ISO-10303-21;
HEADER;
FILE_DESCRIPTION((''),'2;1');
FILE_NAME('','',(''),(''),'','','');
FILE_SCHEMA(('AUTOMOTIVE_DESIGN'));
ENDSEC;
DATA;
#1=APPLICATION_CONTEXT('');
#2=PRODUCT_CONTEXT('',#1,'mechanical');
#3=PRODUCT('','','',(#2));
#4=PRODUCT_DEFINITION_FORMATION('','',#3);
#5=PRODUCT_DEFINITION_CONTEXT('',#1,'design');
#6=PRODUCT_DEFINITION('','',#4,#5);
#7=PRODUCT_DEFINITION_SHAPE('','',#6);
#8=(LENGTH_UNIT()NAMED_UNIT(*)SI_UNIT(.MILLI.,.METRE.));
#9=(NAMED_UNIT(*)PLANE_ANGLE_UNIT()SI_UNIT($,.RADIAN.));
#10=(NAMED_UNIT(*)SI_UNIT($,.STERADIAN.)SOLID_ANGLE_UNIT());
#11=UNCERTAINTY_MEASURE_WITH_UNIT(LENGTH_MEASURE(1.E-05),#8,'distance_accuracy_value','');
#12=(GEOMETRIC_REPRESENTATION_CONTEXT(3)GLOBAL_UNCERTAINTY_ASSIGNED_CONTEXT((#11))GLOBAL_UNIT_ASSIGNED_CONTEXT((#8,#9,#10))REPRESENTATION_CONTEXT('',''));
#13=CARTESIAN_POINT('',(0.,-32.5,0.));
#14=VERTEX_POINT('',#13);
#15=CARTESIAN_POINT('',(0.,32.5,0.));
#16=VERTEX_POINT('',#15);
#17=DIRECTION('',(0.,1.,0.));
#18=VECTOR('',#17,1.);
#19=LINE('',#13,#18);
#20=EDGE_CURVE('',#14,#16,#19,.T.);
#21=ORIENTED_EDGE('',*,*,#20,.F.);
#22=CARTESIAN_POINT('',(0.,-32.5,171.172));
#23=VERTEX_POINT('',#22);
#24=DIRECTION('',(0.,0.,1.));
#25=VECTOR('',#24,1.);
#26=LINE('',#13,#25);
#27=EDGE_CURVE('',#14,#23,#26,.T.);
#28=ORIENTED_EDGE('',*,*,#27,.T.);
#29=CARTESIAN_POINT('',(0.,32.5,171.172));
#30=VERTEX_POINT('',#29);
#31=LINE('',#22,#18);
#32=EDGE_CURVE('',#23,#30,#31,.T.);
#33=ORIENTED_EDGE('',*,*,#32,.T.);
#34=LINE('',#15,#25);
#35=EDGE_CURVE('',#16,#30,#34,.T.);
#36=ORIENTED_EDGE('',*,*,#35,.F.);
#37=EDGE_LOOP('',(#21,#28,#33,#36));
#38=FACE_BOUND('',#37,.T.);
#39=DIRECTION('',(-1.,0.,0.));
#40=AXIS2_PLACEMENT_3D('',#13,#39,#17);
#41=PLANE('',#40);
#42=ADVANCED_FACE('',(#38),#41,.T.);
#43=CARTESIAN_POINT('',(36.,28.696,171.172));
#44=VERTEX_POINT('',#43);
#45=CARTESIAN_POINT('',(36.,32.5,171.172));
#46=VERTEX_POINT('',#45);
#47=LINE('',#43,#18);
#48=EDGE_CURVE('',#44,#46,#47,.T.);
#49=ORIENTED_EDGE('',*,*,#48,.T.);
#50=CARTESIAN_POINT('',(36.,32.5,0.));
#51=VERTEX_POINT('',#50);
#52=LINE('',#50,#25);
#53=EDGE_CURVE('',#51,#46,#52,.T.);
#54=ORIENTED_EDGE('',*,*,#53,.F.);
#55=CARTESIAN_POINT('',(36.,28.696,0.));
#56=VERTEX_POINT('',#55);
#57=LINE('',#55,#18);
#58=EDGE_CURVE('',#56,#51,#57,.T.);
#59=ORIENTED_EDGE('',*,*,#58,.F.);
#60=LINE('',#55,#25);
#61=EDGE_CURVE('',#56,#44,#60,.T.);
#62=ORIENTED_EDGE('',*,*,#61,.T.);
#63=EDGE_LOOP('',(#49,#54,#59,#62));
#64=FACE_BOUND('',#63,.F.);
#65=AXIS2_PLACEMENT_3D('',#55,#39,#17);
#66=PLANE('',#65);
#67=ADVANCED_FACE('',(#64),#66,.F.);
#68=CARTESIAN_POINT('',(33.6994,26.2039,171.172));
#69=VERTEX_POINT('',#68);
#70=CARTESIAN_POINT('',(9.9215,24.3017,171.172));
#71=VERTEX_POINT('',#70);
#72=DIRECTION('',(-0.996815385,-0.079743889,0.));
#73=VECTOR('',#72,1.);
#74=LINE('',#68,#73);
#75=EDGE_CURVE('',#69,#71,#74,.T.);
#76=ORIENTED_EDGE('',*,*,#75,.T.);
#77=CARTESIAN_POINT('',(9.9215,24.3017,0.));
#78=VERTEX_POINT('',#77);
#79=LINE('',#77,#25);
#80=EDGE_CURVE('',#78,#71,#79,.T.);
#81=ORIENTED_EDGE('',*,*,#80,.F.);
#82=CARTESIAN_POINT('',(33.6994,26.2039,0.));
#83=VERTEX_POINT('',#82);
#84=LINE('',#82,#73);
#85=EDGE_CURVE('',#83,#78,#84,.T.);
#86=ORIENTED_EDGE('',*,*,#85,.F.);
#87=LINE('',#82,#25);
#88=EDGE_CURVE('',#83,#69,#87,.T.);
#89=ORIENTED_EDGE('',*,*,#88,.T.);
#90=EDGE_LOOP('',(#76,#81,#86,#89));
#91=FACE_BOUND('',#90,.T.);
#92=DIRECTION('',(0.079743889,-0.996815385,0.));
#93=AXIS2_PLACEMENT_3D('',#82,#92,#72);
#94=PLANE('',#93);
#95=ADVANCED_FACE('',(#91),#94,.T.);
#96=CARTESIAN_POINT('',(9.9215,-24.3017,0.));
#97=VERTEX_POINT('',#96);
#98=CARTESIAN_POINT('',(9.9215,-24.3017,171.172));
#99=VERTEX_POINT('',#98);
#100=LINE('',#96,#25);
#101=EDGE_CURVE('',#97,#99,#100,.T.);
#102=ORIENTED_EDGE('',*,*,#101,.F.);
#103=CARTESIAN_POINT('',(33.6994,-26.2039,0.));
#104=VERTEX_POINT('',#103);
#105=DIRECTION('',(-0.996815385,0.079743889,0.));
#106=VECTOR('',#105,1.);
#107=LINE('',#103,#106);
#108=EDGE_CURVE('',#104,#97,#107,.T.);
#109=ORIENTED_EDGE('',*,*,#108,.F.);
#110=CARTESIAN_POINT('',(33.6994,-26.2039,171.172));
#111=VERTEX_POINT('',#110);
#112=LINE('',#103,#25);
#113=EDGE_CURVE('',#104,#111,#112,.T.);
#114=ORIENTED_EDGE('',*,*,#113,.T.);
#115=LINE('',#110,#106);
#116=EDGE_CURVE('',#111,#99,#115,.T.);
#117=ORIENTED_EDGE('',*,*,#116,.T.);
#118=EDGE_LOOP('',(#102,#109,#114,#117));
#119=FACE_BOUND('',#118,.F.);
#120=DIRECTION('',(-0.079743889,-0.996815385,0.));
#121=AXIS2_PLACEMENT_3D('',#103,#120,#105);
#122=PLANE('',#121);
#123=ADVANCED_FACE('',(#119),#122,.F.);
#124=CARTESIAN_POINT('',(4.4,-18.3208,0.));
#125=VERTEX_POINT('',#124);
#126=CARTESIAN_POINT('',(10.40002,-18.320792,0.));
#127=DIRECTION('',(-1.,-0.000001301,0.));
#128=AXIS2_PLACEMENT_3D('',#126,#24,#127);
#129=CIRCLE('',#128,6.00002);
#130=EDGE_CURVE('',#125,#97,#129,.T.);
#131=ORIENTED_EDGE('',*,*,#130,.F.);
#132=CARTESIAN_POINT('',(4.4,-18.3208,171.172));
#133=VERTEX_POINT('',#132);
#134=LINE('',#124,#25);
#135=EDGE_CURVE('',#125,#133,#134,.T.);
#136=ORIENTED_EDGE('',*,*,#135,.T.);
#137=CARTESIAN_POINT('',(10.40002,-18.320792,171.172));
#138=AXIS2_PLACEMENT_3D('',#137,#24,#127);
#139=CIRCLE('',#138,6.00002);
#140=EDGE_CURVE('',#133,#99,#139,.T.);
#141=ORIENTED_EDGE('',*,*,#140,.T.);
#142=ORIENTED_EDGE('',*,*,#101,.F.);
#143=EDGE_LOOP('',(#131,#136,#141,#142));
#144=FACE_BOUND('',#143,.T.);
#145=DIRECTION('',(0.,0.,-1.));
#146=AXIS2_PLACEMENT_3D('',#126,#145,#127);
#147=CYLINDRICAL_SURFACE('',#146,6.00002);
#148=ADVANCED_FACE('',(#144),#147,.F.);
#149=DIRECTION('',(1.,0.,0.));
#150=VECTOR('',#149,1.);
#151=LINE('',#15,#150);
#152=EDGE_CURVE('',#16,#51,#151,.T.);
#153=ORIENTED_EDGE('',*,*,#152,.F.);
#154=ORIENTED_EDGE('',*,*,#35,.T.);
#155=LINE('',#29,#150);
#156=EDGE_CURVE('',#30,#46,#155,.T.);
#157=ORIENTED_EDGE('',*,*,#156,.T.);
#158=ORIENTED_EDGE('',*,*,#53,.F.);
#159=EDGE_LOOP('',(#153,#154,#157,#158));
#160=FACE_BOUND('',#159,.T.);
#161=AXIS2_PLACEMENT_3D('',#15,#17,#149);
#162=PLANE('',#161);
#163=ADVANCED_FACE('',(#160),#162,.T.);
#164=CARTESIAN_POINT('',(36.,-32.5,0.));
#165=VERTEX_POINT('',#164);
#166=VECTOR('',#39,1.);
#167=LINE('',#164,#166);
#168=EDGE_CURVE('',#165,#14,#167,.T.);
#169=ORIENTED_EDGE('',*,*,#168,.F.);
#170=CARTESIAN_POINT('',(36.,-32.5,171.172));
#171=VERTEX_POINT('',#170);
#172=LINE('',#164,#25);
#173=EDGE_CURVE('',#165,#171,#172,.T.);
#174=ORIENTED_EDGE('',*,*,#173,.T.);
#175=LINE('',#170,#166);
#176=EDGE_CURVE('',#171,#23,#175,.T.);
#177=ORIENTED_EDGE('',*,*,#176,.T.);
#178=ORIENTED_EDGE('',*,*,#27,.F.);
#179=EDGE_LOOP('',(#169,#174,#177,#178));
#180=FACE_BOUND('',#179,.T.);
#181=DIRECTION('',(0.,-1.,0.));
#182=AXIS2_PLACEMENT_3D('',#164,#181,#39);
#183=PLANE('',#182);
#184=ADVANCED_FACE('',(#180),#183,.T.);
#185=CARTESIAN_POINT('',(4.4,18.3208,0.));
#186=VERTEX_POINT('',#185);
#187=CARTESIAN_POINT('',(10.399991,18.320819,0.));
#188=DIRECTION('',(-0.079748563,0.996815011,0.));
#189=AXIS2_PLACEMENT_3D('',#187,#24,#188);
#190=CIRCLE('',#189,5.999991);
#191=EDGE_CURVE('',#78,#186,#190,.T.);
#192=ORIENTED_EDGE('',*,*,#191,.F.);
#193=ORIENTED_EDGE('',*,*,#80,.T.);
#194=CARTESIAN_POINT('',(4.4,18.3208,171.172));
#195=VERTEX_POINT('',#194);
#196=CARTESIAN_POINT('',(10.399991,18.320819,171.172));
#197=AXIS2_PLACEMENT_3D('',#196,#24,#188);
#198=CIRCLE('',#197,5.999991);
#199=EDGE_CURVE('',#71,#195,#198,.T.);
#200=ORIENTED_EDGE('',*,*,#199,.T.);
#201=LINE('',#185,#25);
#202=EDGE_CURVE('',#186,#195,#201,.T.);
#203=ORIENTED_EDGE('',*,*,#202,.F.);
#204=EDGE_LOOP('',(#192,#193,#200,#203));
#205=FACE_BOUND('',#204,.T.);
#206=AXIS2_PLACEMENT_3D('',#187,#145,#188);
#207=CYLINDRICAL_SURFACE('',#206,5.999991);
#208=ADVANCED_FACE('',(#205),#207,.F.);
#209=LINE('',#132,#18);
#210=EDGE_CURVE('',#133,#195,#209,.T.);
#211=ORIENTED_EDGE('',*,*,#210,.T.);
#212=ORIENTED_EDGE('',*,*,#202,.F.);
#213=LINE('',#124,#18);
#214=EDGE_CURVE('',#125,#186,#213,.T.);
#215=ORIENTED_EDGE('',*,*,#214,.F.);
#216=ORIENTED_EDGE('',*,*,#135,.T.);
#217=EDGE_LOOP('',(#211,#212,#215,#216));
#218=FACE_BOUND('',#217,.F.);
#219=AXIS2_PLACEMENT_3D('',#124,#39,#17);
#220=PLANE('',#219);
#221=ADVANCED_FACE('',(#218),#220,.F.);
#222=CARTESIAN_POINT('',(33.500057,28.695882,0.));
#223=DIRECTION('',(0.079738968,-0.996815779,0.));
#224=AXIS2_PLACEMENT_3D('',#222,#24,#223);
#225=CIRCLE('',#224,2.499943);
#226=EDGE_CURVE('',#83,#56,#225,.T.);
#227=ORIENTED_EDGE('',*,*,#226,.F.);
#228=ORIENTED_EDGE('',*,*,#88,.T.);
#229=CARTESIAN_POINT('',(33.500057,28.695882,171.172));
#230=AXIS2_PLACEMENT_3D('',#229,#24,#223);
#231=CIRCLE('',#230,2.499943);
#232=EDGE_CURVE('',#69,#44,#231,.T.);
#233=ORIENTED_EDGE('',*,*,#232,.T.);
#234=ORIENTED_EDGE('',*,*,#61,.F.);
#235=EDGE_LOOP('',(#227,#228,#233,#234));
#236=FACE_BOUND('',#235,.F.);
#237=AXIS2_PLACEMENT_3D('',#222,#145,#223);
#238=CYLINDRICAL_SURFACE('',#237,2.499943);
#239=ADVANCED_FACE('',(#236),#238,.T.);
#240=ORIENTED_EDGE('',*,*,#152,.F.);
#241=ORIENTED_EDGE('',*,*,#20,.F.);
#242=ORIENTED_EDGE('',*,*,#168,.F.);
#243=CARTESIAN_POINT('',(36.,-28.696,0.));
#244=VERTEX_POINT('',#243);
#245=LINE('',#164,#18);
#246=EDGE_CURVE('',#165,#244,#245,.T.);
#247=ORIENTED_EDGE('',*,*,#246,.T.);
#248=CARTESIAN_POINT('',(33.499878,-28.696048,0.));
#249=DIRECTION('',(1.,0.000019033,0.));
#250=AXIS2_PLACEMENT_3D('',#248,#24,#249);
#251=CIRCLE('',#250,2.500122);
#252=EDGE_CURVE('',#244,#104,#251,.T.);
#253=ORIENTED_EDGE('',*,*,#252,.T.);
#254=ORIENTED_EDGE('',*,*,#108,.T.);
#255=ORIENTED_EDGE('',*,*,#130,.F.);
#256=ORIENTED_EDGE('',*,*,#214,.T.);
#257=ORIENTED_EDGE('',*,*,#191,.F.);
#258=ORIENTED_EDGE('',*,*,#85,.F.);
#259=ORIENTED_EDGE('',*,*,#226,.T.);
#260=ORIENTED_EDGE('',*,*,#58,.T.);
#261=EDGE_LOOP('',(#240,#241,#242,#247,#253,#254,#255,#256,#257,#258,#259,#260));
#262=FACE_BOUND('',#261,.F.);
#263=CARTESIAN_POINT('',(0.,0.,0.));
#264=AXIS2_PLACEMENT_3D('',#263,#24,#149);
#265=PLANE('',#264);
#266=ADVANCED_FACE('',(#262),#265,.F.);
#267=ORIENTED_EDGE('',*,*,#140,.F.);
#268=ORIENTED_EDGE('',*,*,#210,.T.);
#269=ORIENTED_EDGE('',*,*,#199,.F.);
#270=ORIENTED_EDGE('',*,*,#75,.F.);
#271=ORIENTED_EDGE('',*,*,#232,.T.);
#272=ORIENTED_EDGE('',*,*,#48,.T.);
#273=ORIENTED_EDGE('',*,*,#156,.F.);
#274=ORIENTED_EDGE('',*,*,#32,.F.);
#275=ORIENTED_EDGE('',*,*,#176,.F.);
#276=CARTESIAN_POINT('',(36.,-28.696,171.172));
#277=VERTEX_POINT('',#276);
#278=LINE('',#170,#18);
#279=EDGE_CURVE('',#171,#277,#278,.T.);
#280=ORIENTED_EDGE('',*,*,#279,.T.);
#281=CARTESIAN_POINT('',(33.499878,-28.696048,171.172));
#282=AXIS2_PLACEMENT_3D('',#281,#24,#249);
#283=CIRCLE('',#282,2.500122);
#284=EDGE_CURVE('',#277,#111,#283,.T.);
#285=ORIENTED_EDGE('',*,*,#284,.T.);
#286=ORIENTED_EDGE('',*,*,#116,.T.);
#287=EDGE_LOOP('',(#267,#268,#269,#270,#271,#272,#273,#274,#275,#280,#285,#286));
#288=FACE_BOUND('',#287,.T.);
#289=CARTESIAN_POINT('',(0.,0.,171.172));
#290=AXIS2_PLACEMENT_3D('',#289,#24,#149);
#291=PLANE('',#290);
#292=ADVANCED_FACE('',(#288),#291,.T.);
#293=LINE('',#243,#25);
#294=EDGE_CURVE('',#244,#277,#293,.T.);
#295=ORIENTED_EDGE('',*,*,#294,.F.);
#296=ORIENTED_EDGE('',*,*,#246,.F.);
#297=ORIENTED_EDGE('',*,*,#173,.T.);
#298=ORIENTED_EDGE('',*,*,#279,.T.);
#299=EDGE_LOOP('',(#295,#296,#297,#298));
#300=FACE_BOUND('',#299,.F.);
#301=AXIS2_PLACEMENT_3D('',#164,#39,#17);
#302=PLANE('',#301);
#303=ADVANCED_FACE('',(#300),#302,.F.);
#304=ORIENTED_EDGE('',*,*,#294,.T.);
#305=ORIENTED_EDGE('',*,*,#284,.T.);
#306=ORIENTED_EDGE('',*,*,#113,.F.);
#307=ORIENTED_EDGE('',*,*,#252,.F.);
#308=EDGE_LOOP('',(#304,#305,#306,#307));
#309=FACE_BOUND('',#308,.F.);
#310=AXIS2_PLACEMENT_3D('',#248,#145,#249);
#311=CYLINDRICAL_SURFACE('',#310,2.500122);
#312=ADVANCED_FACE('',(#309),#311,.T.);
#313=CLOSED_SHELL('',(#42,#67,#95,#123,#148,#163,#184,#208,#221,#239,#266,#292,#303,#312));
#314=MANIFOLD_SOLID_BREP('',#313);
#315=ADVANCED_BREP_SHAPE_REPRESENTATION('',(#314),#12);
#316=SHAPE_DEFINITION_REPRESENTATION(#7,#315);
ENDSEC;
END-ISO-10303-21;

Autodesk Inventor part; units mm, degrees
ref_plane "Начальная плоскость" through (0, 0, 0) normal (0, 0, 1) x (1, 0, 0)
ref_plane "Конечная плоскость" through (0, 0, 171.172) normal (0, 0, 1) x (1, 0, 0)
sketch "Эскиз" plane through (0, 0, 0) normal (0, 0, 1) x (1, 0, 0)
  line L0 (36, -32.5) -> (0, -32.5)
  line L1 (36, -32.5) -> (36, -28.696)
  line L2 (33.6994, -26.2039) -> (9.9215, -24.3017)
  line L3 (4.4, -18.3208) -> (4.4, 18.3208)
  line L4 (33.6994, 26.2039) -> (9.9215, 24.3017)
  line L5 (36, 28.696) -> (36, 32.5)
  line L6 (0, 32.5) -> (36, 32.5)
  line L7 (0, -32.5) -> (0, 32.5)
  arc A0 (4.4, -18.3208) -> (9.9215, -24.3017) centre (10.4, -18.3208) ccw
  arc A1 (9.9215, 24.3017) -> (4.4, 18.3208) centre (10.4, 18.3208) ccw
  arc A2 (36, -28.696) -> (33.6994, -26.2039) centre (33.5, -28.696) ccw
  arc A3 (33.6994, 26.2039) -> (36, 28.696) centre (33.5, 28.696) ccw
  line L8 (0, 45.5) -> (0, -45.5) construction
  line L9 (-7.2974, 0) -> (43.7847, 0) construction
  point P0 (36, -26.388)
  point P1 (4.4, -23.86)
  point P2 (4.4, 23.86)
  point P3 (36, 26.388)
  dimension "d3" = 36
  dimension "d5" = 4.4
  dimension "d7" = 65
  dimension "d9" = 8.64
  dimension "d11" = 8.64
  dimension "d13" = 6.112
  dimension "d15" = 6.112
  dimension "d22" = 6
  dimension "d23" = 2.5
  dimension "d24" = 32.5
  dimension "d25" = 0
extrude "Тело" add sketch "Эскиз" along normal up to surface (171.172 mm away) from surface at 0
sketch "Sketch3" plane through (0, 0, 0) normal (0, 0, 1) x (1, 0, 0)
  line L0 (0, 0) -> (10, 0)
ref_plane "Work Plane7" through (0, 0, 0) normal (0, -1, 0) x (1, 0, 0)
sketch "Sketch4" plane through (0, 0, 0) normal (0, -1, 0) x (1, 0, 0)
  line L0 (-2, 0) -> (12, 0)
  line L1 (-2, 171.172) -> (12, 171.172)
  dimension "d29" = 171.172
ref_plane "РабПлоскость8" through (169.3883, -32.5, 171.172) normal (0, 0, 1) x (1, 0, 0)
split "Разделение1" plane through (169.3883, -32.5, 171.172) removes the side toward (0, 0, 1)
equation "\"d3\" = b"
equation "\"d5\" = t1"
equation "\"d7\" = ParH"
equation "\"d9\" = msp_x1 + t2"
equation "\"d11\" = msp_x1 + t2"
equation "\"d13\" = -msp_x2 + t2"
equation "\"d15\" = -msp_x2 + t2"
equation "\"d22\" = R"
equation "\"d23\" = R1"
equation "\"d24\" = 0.5 * d7"
equation "\"d16\" = G_L"
equation "\"R1\" = 2.5"
equation "\"R\" = 6"
equation "\"t1\" = 4.4"
equation "\"t2\" = 7.2"
equation "\"ParH\" = 65"
equation "\"b\" = 36"
equation "\"msp_x1\" = 0.04 * b"
equation "\"msp_x2\" = -0.08 * t1 + 0.04 * b"
equation "\"G_L\" = d29"
equation "\"ex\" = 0"
equation "\"G_OFFSET_START\" = 0"
equation "\"G_OFFSET_END\" = -36"
equation "\"d27\" = G_OFFSET_END + B_L"
equation "\"B_L\" = 207.172"
properties part number "Швеллер 6.5U-171,17 ГОСТ 8240-97" material "Сталь, мягкая"
